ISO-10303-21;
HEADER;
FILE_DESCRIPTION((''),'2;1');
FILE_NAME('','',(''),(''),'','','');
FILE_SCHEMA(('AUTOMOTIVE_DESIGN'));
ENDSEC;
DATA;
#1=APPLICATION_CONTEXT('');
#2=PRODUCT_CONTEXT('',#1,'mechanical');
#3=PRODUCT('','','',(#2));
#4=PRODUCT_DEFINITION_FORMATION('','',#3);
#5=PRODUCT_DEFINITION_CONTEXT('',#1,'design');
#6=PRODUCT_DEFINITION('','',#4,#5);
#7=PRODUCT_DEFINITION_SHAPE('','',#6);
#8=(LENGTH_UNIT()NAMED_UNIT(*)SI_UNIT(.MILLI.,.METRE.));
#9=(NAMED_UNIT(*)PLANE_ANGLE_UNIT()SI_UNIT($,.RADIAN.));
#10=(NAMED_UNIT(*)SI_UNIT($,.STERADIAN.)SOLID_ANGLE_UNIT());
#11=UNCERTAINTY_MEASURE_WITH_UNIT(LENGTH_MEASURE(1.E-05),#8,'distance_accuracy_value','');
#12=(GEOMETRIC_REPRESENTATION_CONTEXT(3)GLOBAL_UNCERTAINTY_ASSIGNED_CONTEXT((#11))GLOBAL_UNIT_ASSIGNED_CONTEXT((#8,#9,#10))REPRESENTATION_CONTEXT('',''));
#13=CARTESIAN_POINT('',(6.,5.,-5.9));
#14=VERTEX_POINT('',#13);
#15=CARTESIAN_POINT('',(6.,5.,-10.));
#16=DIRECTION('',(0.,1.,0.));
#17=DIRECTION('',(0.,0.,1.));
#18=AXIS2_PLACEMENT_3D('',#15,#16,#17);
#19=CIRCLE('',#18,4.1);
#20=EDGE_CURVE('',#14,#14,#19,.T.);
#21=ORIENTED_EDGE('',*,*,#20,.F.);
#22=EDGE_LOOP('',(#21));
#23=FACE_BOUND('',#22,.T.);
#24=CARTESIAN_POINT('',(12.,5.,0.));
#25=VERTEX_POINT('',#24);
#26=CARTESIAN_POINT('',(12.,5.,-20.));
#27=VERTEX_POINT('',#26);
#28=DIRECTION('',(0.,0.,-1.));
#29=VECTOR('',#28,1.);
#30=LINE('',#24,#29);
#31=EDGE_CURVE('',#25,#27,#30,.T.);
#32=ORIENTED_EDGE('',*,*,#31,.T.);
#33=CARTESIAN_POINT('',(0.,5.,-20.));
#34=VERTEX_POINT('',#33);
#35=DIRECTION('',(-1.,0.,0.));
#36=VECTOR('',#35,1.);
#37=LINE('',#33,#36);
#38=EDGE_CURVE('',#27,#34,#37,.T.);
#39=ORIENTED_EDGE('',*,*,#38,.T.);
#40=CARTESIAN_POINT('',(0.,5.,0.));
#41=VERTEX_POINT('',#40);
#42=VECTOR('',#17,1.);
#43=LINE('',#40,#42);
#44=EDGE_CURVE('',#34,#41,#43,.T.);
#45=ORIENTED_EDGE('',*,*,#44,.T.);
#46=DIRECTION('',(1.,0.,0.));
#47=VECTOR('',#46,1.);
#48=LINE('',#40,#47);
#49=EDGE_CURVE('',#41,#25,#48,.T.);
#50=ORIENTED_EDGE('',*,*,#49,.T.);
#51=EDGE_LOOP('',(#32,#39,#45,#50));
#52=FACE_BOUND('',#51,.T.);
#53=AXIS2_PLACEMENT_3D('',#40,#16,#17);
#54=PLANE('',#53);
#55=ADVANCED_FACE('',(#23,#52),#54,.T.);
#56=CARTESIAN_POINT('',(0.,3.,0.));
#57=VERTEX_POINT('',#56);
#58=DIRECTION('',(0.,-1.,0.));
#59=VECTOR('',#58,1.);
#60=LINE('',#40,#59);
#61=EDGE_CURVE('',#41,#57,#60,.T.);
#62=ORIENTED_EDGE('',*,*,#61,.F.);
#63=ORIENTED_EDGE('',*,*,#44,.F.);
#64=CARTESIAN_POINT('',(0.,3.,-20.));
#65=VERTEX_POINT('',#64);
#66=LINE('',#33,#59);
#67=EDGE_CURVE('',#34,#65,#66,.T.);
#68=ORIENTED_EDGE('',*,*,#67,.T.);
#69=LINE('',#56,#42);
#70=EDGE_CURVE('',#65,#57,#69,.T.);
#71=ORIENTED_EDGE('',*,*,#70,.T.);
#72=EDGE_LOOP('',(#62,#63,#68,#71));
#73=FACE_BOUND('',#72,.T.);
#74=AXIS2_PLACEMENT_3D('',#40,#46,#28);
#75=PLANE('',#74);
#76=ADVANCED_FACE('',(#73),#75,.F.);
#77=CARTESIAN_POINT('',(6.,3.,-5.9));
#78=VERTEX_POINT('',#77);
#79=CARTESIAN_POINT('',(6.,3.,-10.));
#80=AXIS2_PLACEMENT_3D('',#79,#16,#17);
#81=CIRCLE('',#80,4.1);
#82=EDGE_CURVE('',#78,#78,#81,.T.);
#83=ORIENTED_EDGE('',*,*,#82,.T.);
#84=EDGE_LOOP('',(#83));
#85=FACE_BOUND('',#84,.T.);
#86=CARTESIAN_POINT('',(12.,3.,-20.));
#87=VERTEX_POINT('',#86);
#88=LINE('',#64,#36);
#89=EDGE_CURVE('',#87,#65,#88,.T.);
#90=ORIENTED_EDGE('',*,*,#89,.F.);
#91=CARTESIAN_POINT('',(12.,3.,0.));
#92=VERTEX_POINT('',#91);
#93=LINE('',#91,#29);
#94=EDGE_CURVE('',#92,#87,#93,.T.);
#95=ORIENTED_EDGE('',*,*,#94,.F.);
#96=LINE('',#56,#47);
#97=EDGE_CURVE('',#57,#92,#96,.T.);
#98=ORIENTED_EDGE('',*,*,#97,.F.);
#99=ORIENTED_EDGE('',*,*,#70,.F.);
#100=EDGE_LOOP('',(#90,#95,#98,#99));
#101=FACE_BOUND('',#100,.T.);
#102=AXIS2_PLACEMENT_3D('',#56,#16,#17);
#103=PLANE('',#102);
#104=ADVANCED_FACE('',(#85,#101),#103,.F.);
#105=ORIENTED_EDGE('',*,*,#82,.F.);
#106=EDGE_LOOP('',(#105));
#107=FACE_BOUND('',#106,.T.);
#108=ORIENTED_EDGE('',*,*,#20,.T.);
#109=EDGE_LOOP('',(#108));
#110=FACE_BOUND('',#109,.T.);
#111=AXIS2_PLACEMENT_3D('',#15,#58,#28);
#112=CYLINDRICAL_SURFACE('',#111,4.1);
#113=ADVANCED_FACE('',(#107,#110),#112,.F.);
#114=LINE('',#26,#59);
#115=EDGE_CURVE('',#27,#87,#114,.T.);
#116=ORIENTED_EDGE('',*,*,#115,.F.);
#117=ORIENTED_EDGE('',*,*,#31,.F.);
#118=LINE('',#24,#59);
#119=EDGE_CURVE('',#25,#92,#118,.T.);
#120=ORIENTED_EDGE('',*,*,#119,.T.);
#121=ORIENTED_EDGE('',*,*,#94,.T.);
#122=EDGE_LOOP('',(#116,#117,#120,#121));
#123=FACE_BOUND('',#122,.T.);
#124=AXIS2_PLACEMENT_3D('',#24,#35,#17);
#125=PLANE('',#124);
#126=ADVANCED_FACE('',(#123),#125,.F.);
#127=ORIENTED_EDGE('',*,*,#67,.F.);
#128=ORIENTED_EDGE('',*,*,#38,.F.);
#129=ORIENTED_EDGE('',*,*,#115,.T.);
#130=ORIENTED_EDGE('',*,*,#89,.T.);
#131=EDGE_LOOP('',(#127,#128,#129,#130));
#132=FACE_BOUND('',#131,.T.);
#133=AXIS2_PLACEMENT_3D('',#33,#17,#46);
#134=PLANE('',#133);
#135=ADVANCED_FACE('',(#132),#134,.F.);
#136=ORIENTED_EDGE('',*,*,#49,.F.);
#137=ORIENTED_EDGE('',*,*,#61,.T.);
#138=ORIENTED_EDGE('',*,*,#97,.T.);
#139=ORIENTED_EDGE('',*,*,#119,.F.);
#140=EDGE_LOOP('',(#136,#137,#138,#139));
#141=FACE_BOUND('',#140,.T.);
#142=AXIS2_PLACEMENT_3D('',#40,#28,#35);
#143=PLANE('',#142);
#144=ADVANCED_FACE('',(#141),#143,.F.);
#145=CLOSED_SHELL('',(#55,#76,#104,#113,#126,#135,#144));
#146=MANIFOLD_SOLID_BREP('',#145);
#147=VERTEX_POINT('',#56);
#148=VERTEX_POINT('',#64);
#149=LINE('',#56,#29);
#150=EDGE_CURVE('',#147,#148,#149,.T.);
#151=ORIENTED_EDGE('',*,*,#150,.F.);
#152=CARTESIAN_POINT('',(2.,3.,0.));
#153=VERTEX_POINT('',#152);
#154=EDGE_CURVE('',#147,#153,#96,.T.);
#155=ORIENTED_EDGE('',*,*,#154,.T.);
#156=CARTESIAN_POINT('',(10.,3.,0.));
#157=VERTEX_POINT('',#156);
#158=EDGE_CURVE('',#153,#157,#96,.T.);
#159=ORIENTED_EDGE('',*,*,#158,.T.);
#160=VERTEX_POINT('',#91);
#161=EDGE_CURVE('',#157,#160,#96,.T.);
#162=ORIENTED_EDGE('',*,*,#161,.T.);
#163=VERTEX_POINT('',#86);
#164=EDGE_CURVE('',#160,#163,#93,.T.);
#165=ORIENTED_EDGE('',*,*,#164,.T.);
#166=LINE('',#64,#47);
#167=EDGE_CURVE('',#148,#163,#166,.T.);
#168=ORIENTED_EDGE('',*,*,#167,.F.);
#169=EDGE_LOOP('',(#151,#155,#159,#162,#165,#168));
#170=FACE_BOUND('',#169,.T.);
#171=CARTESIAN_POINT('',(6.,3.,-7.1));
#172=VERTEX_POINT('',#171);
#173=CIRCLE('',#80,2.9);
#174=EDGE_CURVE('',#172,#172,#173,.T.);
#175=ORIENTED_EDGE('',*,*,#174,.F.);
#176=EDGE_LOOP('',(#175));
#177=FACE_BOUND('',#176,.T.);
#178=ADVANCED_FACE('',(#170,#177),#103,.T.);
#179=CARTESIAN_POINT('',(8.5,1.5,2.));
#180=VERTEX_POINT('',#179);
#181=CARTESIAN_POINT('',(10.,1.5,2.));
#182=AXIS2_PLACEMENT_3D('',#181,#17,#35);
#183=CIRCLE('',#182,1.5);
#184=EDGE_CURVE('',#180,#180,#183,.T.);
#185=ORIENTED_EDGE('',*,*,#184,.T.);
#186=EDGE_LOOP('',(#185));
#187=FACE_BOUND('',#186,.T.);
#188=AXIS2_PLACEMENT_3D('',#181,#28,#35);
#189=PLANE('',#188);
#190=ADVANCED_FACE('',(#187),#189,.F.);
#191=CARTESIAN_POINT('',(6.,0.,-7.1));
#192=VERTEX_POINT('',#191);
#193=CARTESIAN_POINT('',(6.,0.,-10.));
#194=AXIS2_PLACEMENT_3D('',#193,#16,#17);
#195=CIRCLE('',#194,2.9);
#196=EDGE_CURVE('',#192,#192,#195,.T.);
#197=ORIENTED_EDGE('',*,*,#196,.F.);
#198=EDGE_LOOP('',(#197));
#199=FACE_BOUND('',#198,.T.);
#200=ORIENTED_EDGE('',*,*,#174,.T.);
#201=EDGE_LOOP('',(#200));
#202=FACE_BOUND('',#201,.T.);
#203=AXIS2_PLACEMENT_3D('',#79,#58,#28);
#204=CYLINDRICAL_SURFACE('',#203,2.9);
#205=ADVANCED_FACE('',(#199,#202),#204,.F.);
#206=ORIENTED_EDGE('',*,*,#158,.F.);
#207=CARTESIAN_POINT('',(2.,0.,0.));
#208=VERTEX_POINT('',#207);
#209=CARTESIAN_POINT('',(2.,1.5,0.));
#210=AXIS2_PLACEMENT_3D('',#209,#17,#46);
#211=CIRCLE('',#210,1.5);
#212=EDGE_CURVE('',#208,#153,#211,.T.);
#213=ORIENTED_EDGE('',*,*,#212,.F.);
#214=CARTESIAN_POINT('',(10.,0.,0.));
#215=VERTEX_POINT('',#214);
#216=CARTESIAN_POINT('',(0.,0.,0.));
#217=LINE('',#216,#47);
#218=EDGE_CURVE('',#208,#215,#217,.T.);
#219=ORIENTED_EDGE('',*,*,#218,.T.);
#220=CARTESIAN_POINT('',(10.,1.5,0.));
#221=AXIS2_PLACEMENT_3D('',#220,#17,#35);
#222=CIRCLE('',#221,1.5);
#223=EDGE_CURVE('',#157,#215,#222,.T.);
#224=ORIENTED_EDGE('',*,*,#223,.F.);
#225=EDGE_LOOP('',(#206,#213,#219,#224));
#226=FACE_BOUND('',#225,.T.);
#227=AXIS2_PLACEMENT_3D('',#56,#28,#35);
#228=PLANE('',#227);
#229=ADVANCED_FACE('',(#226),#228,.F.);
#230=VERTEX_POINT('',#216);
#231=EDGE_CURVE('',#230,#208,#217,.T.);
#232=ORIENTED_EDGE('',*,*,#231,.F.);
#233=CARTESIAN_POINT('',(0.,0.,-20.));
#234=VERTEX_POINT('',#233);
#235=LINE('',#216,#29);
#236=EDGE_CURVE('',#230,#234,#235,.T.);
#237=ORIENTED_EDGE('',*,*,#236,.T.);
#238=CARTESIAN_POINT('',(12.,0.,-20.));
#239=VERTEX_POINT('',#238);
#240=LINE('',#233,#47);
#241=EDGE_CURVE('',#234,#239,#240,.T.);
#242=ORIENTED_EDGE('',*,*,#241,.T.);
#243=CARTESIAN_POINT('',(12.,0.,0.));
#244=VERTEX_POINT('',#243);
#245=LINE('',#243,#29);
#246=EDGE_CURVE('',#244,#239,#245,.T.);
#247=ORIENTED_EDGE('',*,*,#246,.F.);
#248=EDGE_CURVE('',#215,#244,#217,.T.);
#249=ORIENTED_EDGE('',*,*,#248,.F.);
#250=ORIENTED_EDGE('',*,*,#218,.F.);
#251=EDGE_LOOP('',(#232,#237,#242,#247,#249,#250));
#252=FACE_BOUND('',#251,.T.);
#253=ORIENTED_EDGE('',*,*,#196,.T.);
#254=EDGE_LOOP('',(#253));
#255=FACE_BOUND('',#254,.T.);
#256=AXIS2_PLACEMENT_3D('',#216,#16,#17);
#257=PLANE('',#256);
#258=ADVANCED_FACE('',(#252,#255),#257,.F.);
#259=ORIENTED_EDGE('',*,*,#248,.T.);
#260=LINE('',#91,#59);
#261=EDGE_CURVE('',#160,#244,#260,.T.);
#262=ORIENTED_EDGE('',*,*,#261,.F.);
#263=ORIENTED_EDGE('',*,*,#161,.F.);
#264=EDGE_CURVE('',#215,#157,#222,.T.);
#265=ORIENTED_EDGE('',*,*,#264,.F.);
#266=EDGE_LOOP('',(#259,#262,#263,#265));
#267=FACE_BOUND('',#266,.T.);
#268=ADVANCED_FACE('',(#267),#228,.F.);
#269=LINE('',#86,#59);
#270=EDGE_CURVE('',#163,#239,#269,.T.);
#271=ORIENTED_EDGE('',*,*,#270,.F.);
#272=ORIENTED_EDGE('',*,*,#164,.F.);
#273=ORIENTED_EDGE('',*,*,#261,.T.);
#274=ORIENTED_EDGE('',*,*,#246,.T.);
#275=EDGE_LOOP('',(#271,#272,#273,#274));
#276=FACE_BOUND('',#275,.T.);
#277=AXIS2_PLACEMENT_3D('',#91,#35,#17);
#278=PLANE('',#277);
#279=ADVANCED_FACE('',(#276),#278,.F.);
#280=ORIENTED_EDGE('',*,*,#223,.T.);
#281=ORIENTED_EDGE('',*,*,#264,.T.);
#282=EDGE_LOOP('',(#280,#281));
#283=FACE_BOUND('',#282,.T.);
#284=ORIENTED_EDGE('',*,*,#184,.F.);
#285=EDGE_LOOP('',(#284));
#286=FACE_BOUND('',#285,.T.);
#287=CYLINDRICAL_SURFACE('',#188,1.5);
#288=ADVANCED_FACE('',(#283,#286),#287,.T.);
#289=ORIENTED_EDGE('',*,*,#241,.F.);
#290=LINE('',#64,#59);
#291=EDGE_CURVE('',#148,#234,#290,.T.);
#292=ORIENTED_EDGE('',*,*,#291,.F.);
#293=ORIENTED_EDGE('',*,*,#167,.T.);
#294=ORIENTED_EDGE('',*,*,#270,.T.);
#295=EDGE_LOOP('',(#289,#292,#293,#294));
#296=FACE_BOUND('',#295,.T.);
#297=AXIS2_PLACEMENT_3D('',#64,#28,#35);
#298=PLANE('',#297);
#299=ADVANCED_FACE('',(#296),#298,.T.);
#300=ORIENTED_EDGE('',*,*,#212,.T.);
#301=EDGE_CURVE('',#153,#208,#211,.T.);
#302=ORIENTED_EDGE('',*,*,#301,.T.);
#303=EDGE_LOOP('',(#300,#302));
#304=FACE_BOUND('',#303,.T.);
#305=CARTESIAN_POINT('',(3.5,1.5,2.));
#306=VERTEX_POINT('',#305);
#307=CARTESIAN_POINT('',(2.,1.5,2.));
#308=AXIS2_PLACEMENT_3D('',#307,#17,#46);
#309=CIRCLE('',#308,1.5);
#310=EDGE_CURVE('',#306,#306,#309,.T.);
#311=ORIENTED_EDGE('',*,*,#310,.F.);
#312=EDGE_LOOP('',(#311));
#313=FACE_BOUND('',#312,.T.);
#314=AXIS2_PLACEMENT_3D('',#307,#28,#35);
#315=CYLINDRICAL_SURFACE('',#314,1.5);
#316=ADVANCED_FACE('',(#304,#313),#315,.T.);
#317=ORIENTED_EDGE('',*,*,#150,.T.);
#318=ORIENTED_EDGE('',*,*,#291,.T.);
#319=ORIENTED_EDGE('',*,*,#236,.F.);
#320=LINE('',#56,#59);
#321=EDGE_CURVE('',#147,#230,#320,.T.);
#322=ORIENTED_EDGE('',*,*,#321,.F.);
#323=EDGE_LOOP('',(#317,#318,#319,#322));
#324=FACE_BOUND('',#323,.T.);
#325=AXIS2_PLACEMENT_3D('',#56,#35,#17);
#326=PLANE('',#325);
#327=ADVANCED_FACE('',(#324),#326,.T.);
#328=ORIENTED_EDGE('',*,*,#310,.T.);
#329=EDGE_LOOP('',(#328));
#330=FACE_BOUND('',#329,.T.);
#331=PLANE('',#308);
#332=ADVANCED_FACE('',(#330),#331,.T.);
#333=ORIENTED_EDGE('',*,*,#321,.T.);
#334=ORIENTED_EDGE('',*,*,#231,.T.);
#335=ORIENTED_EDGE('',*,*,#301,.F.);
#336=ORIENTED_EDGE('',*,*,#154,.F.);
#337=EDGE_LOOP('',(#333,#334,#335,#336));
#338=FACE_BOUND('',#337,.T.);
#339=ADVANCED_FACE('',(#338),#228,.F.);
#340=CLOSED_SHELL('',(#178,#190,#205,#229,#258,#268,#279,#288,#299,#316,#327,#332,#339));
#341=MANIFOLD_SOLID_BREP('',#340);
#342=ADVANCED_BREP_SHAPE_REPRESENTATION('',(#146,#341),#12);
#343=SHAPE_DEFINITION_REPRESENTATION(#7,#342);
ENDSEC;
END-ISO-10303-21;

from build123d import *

# Parameters (mm, degrees)
SKETCH_1_W      = 12
SKETCH_1_H      = 20
SKETCH_1_R      = 2.9
EXTRUDE_1_DEPTH = 3
SKETCH_3_W      = 12
SKETCH_3_H      = 20
SKETCH_3_R      = 4.1
EXTRUDE_2_DEPTH = 2
SKETCH_7_R      = 1.5
EXTRUDE_3_DEPTH = 2


with BuildPart() as part:
    # 草图1 → 凸台-拉伸1 (new body)
    with BuildSketch(Plane(origin=(0, 0, 0), x_dir=(1, 0, 0), z_dir=(0, 1, 0))):
        with Locations((6, 10)):
            Rectangle(SKETCH_1_W, SKETCH_1_H)
        with Locations(Location((6, 10, 0), (0, 0, 270))):
            Circle(SKETCH_1_R, mode=Mode.SUBTRACT)
    extrude(amount=EXTRUDE_1_DEPTH)

    # 草图7 → 凸台-拉伸3 (add)
    with BuildSketch(Plane.XY):
        with Locations(Location((2, 1.5, 0), (0, 0, 270))):
            Circle(SKETCH_7_R)
        with Locations(Location((10, 1.5, 0), (0, 0, 180))):
            Circle(SKETCH_7_R)
    extrude(amount=EXTRUDE_3_DEPTH)


with BuildPart() as body_2:
    # 草图3 → 凸台-拉伸2 (new body)
    with BuildSketch(Plane(origin=(0, 3, 0), x_dir=(1, 0, 0), z_dir=(0, 1, 0))):
        with Locations((6, 10)):
            Rectangle(SKETCH_3_W, SKETCH_3_H)
        with Locations(Location((6, 10, 0), (0, 0, 270))):
            Circle(SKETCH_3_R, mode=Mode.SUBTRACT)
    extrude(amount=EXTRUDE_2_DEPTH)


solid = Compound([part.part, body_2.part])
